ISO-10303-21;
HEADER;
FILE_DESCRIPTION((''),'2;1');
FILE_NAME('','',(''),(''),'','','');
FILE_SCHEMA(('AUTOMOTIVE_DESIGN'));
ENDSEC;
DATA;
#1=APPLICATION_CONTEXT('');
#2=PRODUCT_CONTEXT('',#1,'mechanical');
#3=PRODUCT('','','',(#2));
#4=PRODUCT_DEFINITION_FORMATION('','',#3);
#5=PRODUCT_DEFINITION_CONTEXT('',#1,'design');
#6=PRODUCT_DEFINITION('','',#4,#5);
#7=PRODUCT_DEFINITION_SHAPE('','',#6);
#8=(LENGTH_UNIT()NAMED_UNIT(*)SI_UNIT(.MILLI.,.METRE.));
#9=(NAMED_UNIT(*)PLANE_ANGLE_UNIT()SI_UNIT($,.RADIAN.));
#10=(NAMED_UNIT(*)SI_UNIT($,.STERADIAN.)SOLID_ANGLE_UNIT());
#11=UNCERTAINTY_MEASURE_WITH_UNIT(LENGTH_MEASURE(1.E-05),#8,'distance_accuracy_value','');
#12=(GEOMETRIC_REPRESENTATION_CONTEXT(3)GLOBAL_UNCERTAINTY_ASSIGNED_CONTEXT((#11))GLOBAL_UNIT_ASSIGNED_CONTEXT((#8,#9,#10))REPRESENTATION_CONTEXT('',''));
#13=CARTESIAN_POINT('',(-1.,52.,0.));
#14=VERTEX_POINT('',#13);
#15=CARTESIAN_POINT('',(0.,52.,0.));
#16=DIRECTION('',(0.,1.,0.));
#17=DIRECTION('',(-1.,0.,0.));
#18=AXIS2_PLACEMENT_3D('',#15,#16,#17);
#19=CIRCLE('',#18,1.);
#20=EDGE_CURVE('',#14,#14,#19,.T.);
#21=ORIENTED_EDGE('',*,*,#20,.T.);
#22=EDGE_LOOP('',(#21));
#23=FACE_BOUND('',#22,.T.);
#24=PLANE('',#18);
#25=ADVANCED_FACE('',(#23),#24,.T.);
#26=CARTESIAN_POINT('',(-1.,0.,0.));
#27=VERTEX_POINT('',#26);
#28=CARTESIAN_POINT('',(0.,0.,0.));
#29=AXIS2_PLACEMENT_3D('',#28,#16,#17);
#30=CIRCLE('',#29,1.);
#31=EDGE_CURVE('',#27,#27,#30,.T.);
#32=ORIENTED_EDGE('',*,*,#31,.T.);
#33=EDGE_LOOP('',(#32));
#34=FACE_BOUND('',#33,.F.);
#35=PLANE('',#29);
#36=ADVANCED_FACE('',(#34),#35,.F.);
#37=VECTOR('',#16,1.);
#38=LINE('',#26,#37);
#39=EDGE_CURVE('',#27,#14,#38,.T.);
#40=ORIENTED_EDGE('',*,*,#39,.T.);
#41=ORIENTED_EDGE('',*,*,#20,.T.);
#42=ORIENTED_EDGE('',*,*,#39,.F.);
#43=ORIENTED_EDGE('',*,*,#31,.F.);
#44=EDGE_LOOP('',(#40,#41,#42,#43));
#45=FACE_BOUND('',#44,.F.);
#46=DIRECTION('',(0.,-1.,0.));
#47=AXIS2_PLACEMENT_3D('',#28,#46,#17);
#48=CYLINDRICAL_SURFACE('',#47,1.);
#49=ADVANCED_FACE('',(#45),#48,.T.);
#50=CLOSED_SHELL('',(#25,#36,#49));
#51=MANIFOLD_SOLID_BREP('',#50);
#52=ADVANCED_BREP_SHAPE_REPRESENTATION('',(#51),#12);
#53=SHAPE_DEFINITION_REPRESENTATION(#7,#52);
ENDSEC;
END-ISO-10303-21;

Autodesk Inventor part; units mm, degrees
ref_plane "YZ Plane" through (0, 0, 0) normal (1, 0, 0) x (0, 1, 0)
ref_plane "XZ Plane" through (0, 0, 0) normal (0, 1, 0) x (-1, 0, 0)
ref_plane "XY Plane" through (0, 0, 0) normal (0, 0, 1) x (1, 0, 0)
sketch "Sketch4" plane through (0, 0, 0) normal (0, 1, 0) x (-1, 0, 0)
  circle A0 centre (0, 0) radius 1
  dimension "d6" = 2
extrude "Extrusion2" add sketch "Sketch4" along normal blind 52
properties part number "LaserBeam3x"
